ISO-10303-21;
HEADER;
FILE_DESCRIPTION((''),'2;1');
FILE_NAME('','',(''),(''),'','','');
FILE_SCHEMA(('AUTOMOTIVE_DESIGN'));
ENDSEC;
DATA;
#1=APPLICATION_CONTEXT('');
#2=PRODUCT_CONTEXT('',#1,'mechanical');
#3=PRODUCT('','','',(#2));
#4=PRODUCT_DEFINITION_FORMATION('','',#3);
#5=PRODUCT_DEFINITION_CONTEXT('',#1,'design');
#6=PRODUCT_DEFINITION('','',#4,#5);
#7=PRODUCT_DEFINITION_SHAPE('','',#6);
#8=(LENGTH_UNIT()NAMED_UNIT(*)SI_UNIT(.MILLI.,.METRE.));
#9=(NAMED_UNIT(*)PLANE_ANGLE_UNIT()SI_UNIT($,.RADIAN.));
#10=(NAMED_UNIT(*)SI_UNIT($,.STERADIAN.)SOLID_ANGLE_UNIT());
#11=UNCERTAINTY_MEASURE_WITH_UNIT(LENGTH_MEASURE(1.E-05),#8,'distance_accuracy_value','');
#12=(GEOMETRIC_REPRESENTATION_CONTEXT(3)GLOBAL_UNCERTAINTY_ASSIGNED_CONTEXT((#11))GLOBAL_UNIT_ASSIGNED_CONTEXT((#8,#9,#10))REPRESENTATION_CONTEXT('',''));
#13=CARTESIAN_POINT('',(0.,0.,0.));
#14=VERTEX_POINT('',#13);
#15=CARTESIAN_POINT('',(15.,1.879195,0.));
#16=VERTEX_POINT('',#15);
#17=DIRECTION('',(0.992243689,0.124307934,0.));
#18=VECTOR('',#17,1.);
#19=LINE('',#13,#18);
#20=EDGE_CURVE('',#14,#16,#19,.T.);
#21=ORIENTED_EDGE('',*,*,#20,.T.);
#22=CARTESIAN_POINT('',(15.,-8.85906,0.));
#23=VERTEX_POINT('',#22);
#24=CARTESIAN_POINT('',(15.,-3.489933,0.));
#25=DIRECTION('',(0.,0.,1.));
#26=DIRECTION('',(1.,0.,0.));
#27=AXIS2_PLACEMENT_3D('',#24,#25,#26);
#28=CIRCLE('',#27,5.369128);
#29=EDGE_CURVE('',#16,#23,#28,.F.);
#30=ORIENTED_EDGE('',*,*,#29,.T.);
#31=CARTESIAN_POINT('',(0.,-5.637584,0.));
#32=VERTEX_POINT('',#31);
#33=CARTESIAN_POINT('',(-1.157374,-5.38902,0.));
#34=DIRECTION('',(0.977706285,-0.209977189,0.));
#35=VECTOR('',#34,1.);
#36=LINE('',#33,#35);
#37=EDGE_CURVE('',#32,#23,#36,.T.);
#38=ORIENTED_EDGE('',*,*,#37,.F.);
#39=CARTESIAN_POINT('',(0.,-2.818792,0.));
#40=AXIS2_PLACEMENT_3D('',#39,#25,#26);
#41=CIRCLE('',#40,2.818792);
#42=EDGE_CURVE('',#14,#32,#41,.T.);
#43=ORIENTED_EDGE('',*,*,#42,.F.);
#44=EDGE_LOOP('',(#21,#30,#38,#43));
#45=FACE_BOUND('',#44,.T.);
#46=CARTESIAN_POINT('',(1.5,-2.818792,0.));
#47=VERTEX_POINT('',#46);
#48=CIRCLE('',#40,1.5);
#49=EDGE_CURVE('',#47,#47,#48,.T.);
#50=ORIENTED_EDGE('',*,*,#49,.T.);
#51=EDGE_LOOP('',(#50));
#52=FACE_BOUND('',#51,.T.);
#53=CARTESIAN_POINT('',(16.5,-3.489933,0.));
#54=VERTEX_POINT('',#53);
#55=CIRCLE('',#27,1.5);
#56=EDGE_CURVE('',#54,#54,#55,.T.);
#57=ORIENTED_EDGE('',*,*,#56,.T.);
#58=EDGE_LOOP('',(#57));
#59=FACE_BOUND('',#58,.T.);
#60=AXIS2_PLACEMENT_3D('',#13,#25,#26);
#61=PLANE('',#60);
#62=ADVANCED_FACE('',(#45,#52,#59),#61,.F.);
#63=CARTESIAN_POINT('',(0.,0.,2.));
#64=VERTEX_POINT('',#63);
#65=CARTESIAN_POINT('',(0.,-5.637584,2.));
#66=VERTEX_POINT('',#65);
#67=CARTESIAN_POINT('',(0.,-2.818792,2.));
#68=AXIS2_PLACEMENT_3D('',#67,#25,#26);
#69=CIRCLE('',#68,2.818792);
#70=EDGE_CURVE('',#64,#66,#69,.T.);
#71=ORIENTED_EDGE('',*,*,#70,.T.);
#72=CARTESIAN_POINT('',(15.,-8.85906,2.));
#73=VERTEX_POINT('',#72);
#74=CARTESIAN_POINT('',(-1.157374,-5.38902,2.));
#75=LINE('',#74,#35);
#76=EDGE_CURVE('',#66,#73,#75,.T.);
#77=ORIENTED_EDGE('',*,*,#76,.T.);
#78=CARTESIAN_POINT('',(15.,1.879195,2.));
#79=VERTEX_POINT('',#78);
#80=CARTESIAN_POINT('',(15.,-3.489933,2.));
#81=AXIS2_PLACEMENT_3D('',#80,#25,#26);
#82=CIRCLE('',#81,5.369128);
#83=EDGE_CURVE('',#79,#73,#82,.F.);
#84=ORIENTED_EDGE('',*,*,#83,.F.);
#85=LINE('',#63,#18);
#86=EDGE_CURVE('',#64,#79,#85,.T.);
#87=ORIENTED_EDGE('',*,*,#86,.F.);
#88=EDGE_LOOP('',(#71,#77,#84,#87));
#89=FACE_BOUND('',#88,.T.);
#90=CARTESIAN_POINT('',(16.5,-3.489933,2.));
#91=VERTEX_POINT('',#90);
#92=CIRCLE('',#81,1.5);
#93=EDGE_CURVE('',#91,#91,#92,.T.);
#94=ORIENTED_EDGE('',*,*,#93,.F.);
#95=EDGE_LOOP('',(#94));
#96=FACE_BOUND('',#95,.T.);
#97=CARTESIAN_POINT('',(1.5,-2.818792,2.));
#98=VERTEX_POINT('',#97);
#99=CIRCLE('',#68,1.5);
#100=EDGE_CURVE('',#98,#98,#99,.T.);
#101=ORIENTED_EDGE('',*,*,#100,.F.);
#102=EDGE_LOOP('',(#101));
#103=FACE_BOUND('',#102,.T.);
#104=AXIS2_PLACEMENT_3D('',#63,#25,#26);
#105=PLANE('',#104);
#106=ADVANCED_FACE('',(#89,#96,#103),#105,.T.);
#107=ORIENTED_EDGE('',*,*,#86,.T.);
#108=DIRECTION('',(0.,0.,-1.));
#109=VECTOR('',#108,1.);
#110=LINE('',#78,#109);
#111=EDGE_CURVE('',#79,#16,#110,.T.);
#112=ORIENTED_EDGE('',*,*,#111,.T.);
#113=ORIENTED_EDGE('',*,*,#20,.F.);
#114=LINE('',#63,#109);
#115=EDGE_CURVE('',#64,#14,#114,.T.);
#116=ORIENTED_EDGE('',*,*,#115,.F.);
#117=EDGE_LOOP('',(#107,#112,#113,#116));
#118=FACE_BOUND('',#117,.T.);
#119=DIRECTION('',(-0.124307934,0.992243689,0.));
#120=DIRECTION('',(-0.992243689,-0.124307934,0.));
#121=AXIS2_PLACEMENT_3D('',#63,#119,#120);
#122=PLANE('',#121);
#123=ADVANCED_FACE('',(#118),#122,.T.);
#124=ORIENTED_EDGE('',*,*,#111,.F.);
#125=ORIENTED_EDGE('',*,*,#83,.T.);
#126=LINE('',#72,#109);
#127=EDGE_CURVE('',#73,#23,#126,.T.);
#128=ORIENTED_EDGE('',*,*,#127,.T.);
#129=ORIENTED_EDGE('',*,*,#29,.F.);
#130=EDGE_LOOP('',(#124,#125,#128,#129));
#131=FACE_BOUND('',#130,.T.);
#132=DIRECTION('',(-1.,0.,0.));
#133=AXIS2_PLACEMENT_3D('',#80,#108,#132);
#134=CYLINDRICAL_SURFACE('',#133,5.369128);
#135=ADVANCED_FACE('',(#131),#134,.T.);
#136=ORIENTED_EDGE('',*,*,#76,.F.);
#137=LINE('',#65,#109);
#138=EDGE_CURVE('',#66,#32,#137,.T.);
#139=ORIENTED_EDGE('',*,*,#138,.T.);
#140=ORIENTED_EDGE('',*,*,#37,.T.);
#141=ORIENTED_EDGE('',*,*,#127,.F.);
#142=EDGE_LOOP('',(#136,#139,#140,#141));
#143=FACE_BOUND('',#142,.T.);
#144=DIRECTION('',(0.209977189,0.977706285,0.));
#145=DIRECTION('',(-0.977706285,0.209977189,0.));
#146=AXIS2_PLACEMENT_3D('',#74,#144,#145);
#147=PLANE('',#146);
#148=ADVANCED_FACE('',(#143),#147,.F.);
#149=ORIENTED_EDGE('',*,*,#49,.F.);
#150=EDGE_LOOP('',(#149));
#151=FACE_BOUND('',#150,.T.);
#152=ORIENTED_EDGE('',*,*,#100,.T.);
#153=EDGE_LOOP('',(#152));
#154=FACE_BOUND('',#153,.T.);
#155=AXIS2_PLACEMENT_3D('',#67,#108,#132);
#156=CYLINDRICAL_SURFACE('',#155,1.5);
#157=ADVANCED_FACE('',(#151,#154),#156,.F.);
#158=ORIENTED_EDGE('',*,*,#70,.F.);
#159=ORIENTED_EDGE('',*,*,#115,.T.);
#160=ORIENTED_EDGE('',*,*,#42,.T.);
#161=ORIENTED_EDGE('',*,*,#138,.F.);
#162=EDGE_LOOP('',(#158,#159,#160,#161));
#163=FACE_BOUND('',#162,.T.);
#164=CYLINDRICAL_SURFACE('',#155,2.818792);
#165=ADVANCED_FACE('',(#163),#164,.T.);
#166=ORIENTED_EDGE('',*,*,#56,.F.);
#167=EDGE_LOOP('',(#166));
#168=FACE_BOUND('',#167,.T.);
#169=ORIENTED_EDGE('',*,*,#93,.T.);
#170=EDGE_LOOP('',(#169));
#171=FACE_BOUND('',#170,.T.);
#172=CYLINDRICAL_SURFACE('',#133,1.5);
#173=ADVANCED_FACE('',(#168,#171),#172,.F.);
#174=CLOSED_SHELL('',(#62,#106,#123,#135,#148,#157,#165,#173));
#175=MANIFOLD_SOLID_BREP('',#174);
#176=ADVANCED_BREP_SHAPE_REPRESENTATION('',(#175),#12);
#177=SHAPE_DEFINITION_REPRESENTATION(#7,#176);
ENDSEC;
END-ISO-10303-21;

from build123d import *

# Parameters (mm, degrees)
SKETCH1_R           = 1.5
BOSS_EXTRUDE1_DEPTH = 2


with BuildPart() as part:
    # Sketch1 → Boss-Extrude1 (new body)
    with BuildSketch(Plane.XY):
        with BuildLine():
            Line((0, 0), (15, 1.879194631))
            ThreePointArc((15, 1.879194631), (20.369127517, -3.489932886), (15, -8.859060403))
            Line((15, -8.859060403), (0, -5.637583893))
            ThreePointArc((0, -5.637583893), (-2.818791946, -2.818791946), (0, 0))
        make_face()
        with Locations((0, -2.818791946)):
            Circle(SKETCH1_R, mode=Mode.SUBTRACT)
        with Locations((15, -3.489932886)):
            Circle(SKETCH1_R, mode=Mode.SUBTRACT)
    extrude(amount=BOSS_EXTRUDE1_DEPTH)


solid = part.part
